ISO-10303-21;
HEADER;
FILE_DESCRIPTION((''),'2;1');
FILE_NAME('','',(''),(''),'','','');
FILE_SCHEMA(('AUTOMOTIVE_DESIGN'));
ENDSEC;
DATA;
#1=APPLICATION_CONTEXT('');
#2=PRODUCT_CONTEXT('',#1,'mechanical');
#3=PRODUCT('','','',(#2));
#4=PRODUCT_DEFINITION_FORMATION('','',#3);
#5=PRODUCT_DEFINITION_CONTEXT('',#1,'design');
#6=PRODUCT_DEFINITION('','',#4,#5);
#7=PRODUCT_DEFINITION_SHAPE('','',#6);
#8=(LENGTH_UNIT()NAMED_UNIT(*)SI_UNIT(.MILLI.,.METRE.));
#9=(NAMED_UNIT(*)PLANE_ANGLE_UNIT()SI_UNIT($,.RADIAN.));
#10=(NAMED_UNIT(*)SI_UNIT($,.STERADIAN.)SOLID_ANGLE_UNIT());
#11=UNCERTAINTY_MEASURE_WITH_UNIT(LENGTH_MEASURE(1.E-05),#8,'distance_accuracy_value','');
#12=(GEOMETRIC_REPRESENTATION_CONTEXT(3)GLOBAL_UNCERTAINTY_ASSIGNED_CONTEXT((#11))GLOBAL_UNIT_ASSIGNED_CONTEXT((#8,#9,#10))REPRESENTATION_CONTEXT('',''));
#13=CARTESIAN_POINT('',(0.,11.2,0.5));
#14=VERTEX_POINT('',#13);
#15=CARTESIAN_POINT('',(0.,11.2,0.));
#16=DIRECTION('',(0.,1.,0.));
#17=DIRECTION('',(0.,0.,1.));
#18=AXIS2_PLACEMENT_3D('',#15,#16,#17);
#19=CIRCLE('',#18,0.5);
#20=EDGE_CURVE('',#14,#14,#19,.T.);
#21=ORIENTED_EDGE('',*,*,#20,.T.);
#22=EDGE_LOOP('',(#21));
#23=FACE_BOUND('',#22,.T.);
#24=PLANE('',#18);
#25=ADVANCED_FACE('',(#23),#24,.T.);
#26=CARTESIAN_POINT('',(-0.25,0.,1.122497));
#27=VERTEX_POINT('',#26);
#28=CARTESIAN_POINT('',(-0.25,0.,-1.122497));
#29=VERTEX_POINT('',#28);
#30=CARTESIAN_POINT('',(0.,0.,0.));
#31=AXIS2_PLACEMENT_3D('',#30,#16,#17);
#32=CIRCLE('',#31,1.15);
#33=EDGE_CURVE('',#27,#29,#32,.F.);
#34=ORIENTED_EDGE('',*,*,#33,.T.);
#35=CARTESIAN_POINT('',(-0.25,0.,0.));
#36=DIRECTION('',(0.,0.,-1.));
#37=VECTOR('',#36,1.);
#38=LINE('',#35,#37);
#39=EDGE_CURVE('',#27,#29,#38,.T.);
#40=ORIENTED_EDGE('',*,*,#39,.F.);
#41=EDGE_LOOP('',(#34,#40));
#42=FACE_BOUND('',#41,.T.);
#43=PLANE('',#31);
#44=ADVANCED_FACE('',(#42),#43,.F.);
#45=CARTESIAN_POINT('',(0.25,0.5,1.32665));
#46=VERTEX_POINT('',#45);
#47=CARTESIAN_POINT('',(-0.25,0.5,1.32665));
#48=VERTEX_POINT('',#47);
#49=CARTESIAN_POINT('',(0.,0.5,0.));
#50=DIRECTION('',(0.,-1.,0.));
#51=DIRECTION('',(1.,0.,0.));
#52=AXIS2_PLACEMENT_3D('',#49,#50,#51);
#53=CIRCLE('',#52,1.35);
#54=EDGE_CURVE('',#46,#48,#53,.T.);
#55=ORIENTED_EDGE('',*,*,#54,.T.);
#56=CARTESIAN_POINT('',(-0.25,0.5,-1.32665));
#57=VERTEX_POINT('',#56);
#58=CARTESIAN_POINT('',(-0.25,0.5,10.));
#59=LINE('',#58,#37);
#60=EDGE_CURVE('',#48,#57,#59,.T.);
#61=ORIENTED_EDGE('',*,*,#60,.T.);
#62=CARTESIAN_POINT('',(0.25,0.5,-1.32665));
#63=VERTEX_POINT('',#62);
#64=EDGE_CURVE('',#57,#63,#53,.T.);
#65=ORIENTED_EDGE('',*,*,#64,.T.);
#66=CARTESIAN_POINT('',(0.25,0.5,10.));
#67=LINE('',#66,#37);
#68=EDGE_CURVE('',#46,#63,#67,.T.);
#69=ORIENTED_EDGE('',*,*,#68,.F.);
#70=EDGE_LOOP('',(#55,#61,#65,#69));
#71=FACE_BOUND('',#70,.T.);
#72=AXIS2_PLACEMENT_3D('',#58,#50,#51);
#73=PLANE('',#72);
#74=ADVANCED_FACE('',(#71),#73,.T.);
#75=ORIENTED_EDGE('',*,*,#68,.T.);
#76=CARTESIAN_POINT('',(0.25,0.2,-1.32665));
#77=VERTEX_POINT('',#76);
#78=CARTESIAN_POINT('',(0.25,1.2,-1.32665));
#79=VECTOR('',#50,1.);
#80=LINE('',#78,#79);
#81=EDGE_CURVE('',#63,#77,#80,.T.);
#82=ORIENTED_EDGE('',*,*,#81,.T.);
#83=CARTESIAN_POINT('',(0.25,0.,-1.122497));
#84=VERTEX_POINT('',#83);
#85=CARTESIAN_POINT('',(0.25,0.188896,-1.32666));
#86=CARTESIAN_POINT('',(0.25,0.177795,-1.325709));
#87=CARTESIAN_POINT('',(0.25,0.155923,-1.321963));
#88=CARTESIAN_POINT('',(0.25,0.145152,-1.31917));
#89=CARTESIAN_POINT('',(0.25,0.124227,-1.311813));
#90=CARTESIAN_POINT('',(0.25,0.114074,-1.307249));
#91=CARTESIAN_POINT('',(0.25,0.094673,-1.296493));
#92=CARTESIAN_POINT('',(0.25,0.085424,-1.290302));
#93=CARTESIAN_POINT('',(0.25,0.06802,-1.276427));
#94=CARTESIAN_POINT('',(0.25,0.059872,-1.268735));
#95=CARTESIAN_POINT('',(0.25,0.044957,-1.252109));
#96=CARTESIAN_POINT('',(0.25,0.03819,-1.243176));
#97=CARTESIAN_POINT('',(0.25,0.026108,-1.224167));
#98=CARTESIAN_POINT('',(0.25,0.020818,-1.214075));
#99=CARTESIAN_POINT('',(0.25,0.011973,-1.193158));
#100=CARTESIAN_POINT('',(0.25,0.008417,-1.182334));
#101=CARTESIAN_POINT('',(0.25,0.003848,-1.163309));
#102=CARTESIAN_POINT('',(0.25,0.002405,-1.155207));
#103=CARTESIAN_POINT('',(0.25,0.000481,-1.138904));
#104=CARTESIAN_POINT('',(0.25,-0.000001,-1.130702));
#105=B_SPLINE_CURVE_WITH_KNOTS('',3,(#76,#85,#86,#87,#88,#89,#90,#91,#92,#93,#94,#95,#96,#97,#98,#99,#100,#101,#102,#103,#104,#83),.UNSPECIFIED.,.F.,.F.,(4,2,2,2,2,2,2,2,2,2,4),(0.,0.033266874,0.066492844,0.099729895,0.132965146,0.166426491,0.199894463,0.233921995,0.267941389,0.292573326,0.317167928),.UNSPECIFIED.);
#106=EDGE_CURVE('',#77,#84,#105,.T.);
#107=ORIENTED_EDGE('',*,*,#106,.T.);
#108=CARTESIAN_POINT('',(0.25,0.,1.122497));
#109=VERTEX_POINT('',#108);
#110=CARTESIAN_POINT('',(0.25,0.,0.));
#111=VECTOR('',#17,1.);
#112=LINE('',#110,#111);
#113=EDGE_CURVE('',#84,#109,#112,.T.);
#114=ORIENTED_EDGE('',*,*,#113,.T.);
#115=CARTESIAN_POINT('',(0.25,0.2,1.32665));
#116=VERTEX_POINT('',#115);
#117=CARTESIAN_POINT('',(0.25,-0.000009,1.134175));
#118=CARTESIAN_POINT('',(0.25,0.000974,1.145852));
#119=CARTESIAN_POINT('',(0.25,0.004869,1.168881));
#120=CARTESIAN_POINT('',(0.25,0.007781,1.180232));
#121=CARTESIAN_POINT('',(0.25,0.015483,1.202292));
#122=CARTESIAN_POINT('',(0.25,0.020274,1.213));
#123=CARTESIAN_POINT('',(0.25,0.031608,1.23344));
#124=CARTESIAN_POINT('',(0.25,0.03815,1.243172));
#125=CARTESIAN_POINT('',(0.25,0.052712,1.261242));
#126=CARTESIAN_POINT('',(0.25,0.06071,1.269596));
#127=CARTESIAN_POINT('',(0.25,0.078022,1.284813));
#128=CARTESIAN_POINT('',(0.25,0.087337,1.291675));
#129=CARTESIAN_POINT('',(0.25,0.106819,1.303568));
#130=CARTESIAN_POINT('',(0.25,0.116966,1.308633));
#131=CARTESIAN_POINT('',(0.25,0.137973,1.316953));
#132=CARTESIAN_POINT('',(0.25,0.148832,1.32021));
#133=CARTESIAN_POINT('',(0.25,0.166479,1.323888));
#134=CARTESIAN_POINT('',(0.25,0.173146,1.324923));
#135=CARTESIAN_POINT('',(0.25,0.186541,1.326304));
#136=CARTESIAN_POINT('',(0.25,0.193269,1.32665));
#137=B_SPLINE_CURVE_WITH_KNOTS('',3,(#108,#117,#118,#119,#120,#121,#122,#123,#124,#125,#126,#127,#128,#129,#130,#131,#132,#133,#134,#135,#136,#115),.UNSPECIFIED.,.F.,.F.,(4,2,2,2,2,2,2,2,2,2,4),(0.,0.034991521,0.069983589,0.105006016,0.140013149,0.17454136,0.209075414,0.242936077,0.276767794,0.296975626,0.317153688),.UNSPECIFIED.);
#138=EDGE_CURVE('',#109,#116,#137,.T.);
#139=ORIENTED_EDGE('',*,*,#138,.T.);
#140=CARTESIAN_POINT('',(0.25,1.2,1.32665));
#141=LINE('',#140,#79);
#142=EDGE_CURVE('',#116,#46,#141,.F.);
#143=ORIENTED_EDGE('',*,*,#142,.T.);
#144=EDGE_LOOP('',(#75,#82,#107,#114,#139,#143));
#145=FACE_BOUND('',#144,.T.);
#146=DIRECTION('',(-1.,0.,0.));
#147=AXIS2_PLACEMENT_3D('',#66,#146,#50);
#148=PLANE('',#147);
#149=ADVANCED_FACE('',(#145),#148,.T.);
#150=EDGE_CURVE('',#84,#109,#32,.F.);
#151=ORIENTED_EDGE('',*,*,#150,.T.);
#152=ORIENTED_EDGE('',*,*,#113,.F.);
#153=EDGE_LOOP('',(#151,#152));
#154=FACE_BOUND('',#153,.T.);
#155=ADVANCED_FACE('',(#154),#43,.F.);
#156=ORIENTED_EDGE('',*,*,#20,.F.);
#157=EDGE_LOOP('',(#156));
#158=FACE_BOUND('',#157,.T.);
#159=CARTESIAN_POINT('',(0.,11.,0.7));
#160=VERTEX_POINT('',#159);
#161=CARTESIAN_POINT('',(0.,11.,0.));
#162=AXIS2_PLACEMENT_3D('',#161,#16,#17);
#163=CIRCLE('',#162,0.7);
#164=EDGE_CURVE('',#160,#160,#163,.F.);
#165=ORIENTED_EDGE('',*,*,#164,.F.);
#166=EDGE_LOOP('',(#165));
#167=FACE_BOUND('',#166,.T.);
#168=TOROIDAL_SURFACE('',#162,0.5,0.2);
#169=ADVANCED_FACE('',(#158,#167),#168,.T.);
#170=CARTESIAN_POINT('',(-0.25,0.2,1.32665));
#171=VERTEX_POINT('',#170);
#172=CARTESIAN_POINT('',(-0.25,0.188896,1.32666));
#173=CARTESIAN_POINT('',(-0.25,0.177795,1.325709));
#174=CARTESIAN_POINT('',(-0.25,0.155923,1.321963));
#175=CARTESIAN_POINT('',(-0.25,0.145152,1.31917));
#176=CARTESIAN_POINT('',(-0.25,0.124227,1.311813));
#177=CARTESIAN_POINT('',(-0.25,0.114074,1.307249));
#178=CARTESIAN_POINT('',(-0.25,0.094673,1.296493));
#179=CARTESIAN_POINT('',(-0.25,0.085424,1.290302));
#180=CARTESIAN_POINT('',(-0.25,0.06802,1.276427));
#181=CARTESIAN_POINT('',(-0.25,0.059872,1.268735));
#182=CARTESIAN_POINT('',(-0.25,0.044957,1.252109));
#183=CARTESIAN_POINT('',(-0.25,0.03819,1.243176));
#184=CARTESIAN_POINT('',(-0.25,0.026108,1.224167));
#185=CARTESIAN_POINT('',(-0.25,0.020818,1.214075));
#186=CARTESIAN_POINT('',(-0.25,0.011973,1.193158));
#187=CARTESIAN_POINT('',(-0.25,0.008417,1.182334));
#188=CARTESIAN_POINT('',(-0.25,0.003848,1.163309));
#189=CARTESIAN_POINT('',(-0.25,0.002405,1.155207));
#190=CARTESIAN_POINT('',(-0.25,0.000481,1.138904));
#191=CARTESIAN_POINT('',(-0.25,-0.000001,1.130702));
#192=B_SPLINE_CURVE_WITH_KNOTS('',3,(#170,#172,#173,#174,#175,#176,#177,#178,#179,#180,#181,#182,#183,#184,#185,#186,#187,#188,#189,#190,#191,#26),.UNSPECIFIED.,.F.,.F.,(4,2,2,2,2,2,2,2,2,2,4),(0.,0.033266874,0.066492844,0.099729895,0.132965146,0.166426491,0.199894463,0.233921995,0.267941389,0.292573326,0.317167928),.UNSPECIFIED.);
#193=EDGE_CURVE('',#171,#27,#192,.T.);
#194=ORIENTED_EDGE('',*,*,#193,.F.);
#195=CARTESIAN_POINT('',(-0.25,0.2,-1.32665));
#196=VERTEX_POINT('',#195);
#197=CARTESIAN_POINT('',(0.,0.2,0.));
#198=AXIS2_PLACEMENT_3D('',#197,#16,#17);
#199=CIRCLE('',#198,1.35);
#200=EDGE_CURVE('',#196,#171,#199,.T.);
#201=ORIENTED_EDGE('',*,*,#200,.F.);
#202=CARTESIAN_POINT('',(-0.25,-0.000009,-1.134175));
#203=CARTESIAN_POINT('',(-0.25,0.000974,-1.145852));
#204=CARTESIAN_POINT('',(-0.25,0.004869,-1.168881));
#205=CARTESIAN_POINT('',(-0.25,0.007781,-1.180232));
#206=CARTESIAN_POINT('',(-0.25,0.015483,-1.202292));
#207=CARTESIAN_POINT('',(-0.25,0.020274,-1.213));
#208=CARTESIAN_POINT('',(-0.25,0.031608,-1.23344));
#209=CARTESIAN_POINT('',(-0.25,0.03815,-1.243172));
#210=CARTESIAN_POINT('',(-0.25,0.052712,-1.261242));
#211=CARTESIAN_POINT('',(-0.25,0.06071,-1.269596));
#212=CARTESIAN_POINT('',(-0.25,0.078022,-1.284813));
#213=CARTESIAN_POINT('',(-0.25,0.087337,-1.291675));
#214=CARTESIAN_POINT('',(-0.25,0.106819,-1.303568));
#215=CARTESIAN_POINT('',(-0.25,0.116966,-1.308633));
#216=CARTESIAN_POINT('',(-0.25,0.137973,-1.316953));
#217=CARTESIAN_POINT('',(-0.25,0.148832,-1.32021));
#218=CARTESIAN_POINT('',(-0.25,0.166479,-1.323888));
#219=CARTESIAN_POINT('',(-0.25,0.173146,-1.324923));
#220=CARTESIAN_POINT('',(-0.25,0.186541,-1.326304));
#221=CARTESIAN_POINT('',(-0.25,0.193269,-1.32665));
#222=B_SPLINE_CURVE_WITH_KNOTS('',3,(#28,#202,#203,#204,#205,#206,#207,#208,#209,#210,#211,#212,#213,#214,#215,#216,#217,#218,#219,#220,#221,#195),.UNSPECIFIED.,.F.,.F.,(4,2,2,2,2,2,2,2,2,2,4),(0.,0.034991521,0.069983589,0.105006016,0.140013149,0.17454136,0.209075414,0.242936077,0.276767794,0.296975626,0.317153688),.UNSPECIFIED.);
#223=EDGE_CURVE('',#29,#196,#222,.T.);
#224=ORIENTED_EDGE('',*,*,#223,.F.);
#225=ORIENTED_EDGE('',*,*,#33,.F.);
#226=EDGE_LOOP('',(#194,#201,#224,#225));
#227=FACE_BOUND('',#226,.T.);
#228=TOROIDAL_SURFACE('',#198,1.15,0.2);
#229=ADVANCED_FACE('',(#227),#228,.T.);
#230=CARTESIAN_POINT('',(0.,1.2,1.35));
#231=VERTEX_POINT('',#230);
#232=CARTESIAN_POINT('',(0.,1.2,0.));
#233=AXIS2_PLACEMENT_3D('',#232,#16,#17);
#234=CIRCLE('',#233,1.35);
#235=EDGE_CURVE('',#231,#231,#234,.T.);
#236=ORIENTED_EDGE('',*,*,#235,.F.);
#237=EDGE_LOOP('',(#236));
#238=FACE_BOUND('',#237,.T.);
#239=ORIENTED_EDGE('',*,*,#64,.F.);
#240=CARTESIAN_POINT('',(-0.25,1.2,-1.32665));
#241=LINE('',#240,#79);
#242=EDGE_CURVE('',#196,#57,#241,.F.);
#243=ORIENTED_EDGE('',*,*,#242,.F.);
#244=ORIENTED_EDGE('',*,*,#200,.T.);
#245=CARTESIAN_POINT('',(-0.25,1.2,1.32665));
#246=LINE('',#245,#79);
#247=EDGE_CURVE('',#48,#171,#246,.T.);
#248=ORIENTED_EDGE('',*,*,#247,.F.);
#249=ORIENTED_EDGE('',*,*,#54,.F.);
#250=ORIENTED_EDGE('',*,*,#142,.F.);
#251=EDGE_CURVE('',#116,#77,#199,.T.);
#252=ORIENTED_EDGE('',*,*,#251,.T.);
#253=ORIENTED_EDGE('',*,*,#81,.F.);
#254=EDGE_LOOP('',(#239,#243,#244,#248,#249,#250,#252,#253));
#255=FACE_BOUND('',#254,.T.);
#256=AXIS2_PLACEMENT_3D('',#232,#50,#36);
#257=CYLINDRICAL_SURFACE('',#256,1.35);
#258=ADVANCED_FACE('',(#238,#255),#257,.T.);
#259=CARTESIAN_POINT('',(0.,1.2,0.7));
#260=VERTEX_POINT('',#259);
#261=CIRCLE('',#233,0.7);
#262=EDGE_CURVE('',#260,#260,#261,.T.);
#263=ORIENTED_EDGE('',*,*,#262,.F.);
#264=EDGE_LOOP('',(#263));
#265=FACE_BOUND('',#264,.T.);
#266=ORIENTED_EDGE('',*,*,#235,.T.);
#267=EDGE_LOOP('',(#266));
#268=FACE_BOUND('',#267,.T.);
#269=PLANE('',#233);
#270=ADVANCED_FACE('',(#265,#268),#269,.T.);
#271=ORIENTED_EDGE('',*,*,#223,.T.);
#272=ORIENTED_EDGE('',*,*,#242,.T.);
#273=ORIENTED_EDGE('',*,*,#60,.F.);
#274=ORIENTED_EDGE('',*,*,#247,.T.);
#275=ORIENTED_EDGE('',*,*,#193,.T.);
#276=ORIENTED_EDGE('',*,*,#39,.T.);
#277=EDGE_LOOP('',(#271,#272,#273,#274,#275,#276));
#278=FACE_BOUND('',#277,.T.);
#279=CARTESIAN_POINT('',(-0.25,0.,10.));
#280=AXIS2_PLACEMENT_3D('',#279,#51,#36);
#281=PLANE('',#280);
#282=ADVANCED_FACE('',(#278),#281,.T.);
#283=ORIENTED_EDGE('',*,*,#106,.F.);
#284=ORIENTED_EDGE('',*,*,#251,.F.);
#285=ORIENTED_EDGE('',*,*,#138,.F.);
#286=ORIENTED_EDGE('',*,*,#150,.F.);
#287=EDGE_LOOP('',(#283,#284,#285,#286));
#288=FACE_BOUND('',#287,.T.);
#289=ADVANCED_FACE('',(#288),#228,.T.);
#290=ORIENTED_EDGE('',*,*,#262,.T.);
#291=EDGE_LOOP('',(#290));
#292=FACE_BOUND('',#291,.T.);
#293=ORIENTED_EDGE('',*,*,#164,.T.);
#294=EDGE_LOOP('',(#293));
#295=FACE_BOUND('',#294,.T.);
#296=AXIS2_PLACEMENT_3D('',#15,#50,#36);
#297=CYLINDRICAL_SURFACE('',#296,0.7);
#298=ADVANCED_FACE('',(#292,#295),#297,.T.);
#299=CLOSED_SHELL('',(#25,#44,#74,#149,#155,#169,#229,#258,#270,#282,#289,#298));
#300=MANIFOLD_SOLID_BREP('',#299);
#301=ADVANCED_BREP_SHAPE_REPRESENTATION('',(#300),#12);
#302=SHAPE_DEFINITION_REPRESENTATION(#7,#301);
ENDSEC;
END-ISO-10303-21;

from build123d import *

# Parameters (mm, degrees)
SKETCH2_R               = 1.35
BOSS_EXTRUDE1_DEPTH     = 1.2
SKETCH3_R               = 0.7
BOSS_EXTRUDE2_DEPTH     = 10
CUT_EXTRUDE1_DEPTH      = 10
CUT_EXTRUDE1_DEPTH_BACK = 10
SKETCH4_W               = 0.5
SKETCH4_H               = 0.5
FILLET1_R               = 0.2


with BuildPart() as part:
    # Sketch2 → Boss-Extrude1 (new body)
    with BuildSketch(Plane(origin=(0, 0, 0), x_dir=(1, 0, 0), z_dir=(0, 1, 0))):
        Circle(SKETCH2_R)
    extrude(amount=BOSS_EXTRUDE1_DEPTH)

    # Sketch3 → Boss-Extrude2 (add)
    with BuildSketch(Plane(origin=(0, 1.2, 0), x_dir=(1, 0, 0), z_dir=(0, 1, 0))):
        Circle(SKETCH3_R)
    extrude(amount=BOSS_EXTRUDE2_DEPTH)

    # Sketch4 → Cut-Extrude1 (cut, two sides: drawn at the far end of the back side and taken through both)
    with BuildSketch(Plane.XY.offset(-CUT_EXTRUDE1_DEPTH_BACK)):
        with Locations((0, 0.25)):
            Rectangle(SKETCH4_W, SKETCH4_H)
    extrude(amount=CUT_EXTRUDE1_DEPTH + CUT_EXTRUDE1_DEPTH_BACK, mode=Mode.SUBTRACT)

    # Fillet1
    fillet1_edges = [part.edges().sort_by_distance(p)[0] for p in [
        (1.039230485, 0, 0.861684397),
        (-1.35, 0, 0),
        (-0.7, 11.2, 0),
    ]]
    fillet(fillet1_edges, radius=FILLET1_R)


solid = part.part
